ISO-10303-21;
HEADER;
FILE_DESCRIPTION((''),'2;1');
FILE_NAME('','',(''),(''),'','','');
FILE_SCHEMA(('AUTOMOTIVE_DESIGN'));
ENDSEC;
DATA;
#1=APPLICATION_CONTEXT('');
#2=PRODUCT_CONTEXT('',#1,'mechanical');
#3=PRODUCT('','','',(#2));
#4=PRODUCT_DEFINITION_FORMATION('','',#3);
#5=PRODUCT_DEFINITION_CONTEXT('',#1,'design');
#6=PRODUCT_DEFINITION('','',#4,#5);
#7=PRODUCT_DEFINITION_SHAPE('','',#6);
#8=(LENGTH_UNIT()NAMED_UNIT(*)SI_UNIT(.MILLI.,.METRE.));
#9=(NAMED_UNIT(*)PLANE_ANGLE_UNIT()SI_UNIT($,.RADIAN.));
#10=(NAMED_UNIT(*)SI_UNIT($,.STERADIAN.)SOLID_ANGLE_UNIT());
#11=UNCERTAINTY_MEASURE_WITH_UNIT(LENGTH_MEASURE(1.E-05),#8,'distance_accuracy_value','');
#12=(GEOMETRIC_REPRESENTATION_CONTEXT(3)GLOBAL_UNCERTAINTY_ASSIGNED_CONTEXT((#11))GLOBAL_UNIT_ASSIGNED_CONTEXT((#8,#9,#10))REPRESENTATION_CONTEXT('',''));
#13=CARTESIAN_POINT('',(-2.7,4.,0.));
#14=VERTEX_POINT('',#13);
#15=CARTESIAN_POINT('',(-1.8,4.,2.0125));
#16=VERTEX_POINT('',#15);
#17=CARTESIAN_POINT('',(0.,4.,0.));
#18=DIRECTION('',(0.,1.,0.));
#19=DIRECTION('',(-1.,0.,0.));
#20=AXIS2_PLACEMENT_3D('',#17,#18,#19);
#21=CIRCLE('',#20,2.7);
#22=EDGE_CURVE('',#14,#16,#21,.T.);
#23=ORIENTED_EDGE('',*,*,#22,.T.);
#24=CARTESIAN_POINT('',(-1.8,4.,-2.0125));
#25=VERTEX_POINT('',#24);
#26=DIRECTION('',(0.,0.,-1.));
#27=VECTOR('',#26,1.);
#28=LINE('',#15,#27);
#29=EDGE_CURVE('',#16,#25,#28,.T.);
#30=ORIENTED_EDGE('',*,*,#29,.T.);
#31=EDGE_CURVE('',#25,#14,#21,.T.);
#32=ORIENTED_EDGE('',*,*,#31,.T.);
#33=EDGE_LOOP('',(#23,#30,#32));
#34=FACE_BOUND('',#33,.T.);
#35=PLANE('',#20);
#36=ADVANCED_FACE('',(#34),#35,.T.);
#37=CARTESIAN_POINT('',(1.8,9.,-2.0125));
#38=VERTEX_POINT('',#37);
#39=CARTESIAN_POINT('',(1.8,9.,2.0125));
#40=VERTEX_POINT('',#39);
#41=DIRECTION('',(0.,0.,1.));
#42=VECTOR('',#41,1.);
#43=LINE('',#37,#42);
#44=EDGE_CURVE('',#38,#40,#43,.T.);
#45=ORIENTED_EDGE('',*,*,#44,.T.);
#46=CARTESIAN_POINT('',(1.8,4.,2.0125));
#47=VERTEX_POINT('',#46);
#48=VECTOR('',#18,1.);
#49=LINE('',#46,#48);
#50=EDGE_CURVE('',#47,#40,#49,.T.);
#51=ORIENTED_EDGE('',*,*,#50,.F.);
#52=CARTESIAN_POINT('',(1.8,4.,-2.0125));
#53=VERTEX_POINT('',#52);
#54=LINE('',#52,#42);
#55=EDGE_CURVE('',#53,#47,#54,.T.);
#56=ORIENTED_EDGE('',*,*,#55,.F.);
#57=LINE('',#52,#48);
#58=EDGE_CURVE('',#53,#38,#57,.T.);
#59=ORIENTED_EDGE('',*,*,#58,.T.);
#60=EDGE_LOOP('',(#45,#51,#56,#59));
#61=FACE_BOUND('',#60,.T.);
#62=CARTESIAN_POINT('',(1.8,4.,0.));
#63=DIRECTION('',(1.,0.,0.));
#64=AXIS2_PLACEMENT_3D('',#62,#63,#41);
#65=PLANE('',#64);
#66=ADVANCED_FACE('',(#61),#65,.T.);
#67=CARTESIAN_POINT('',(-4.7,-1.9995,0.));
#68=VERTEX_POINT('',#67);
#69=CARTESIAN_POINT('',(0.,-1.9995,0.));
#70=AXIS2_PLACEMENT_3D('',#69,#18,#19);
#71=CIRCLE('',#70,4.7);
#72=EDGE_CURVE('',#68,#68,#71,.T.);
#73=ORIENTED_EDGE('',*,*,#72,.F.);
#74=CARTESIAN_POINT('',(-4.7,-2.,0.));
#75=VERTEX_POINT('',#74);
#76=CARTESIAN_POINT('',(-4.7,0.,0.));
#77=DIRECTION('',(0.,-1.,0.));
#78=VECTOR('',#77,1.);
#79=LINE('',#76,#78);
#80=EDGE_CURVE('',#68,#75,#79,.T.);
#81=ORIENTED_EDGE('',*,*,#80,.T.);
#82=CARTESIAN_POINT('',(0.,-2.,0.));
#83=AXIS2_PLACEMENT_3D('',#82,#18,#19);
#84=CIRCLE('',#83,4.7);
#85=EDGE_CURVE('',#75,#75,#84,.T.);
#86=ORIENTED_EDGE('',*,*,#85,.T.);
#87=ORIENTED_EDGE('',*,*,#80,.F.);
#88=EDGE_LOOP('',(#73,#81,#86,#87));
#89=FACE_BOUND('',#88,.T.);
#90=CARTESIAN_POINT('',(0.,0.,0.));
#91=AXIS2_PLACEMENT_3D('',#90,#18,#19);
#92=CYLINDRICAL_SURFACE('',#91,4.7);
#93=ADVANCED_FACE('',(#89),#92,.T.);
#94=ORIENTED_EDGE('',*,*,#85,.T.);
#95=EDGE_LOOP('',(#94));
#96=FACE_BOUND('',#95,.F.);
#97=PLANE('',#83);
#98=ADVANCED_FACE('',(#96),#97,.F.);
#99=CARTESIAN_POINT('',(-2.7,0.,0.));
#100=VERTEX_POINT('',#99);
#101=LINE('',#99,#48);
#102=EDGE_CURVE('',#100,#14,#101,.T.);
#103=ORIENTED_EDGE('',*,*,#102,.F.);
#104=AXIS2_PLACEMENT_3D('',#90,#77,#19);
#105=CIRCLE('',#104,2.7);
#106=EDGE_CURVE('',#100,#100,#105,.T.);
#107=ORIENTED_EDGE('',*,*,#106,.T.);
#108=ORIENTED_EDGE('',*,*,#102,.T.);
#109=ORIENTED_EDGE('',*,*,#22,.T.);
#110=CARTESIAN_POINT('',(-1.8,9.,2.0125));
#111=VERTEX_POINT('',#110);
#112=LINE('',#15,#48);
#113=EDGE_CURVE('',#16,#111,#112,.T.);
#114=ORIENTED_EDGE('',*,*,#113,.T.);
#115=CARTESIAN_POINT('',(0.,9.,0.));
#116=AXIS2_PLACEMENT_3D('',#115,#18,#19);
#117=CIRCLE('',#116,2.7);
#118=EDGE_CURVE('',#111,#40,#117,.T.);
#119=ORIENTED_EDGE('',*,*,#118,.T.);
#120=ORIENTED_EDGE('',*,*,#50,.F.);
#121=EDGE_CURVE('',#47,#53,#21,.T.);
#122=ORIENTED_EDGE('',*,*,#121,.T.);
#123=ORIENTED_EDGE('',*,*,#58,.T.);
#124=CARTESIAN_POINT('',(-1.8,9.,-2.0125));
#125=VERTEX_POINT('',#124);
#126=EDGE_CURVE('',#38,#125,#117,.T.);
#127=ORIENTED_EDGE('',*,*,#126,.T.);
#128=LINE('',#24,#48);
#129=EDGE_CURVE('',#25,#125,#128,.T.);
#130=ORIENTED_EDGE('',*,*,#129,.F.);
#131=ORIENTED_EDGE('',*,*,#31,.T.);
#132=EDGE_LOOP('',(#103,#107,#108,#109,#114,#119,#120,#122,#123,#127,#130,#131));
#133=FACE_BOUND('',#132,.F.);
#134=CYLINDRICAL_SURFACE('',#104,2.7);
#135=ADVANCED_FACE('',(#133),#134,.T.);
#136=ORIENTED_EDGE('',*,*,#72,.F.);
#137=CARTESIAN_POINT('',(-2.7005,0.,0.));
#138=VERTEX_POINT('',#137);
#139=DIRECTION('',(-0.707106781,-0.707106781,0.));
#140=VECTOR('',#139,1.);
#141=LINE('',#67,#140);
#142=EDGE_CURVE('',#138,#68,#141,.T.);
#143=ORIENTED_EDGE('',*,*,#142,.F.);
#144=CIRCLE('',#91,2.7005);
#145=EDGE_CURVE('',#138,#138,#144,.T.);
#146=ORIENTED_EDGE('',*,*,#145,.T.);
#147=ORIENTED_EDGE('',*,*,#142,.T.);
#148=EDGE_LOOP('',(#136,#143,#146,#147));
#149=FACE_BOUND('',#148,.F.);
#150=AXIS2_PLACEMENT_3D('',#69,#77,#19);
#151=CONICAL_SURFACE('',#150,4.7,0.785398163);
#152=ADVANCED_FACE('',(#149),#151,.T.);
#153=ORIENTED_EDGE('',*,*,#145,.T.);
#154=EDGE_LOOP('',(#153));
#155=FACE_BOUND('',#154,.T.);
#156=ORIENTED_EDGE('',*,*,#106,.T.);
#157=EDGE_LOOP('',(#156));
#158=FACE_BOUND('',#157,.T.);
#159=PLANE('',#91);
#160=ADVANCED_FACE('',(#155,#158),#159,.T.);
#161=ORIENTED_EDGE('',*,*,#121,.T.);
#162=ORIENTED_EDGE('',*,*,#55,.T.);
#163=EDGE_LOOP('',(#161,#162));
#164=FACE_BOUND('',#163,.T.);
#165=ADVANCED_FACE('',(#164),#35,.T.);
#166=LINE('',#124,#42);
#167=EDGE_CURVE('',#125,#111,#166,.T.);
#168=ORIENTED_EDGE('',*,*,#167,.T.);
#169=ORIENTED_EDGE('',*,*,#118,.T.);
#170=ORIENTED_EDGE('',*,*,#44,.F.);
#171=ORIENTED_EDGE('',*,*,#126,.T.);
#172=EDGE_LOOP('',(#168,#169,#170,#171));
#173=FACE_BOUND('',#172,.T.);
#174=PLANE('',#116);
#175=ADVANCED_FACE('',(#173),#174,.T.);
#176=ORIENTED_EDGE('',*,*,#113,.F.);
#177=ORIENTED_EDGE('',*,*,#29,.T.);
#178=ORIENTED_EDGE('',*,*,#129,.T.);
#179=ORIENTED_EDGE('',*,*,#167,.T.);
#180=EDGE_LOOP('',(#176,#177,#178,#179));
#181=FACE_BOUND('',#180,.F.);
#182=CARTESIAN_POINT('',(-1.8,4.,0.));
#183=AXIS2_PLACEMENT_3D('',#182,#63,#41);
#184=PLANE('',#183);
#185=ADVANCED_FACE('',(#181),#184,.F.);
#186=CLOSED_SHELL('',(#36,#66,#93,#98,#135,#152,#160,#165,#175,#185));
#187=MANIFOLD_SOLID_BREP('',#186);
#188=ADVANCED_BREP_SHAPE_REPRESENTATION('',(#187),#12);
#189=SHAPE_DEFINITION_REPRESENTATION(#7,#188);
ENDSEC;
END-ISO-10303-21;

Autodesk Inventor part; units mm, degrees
ref_plane "YZ Plane" through (0, 0, 0) normal (1, 0, 0) x (0, 1, 0)
ref_plane "XZ Plane" through (0, 0, 0) normal (0, 1, 0) x (-1, 0, 0)
ref_plane "XY Plane" through (0, 0, 0) normal (0, 0, 1) x (1, 0, 0)
sketch "Sketch1" plane through (0, 0, 0) normal (0, 1, 0) x (-1, 0, 0)
  line L0 (0, 0) -> (1.8, 0)
  line L1 (0, 0) -> (-1.8, 0)
  circle A0 centre (0, 0) radius 2.7
  line L2 (1.8, 0) -> (1.8, 2.0125)
  line L3 (1.8, 0) -> (1.8, -2.0125)
  line L4 (-1.8, 0) -> (-1.8, -2.0125)
  line L5 (-1.8, 0) -> (-1.8, 2.0125)
  circle A1 centre (0, 0) radius 4.7
  dimension "d0" = 1.8
  dimension "d1" = 1.8
  dimension "d2" = 5.4
  dimension "d7" = 9.4
extrude "Extrusion1" add sketch "Sketch1" along normal blind 4 contours L1 L5 A0 L2 L0 | L0 L3 A0 L4 L1 | L2 A0 L3 | L4 A0 L5
extrude "Extrusion2" add sketch "Sketch1" along normal blind 5 from surface at 4 contours L1 L5 A0 L2 L0 | L0 L3 A0 L4 L1
extrude "Extrusion3" add sketch "Sketch1" against normal blind 2 contours L1 L5 A0 L2 L0 | L0 L3 A0 L4 L1 | L2 A0 L3 | L4 A0 L5 | A1
chamfer "Chamfer1" distance 2 angle 45 1 edges at (4.7, 0, 0)
properties part number "driven gear axle"
